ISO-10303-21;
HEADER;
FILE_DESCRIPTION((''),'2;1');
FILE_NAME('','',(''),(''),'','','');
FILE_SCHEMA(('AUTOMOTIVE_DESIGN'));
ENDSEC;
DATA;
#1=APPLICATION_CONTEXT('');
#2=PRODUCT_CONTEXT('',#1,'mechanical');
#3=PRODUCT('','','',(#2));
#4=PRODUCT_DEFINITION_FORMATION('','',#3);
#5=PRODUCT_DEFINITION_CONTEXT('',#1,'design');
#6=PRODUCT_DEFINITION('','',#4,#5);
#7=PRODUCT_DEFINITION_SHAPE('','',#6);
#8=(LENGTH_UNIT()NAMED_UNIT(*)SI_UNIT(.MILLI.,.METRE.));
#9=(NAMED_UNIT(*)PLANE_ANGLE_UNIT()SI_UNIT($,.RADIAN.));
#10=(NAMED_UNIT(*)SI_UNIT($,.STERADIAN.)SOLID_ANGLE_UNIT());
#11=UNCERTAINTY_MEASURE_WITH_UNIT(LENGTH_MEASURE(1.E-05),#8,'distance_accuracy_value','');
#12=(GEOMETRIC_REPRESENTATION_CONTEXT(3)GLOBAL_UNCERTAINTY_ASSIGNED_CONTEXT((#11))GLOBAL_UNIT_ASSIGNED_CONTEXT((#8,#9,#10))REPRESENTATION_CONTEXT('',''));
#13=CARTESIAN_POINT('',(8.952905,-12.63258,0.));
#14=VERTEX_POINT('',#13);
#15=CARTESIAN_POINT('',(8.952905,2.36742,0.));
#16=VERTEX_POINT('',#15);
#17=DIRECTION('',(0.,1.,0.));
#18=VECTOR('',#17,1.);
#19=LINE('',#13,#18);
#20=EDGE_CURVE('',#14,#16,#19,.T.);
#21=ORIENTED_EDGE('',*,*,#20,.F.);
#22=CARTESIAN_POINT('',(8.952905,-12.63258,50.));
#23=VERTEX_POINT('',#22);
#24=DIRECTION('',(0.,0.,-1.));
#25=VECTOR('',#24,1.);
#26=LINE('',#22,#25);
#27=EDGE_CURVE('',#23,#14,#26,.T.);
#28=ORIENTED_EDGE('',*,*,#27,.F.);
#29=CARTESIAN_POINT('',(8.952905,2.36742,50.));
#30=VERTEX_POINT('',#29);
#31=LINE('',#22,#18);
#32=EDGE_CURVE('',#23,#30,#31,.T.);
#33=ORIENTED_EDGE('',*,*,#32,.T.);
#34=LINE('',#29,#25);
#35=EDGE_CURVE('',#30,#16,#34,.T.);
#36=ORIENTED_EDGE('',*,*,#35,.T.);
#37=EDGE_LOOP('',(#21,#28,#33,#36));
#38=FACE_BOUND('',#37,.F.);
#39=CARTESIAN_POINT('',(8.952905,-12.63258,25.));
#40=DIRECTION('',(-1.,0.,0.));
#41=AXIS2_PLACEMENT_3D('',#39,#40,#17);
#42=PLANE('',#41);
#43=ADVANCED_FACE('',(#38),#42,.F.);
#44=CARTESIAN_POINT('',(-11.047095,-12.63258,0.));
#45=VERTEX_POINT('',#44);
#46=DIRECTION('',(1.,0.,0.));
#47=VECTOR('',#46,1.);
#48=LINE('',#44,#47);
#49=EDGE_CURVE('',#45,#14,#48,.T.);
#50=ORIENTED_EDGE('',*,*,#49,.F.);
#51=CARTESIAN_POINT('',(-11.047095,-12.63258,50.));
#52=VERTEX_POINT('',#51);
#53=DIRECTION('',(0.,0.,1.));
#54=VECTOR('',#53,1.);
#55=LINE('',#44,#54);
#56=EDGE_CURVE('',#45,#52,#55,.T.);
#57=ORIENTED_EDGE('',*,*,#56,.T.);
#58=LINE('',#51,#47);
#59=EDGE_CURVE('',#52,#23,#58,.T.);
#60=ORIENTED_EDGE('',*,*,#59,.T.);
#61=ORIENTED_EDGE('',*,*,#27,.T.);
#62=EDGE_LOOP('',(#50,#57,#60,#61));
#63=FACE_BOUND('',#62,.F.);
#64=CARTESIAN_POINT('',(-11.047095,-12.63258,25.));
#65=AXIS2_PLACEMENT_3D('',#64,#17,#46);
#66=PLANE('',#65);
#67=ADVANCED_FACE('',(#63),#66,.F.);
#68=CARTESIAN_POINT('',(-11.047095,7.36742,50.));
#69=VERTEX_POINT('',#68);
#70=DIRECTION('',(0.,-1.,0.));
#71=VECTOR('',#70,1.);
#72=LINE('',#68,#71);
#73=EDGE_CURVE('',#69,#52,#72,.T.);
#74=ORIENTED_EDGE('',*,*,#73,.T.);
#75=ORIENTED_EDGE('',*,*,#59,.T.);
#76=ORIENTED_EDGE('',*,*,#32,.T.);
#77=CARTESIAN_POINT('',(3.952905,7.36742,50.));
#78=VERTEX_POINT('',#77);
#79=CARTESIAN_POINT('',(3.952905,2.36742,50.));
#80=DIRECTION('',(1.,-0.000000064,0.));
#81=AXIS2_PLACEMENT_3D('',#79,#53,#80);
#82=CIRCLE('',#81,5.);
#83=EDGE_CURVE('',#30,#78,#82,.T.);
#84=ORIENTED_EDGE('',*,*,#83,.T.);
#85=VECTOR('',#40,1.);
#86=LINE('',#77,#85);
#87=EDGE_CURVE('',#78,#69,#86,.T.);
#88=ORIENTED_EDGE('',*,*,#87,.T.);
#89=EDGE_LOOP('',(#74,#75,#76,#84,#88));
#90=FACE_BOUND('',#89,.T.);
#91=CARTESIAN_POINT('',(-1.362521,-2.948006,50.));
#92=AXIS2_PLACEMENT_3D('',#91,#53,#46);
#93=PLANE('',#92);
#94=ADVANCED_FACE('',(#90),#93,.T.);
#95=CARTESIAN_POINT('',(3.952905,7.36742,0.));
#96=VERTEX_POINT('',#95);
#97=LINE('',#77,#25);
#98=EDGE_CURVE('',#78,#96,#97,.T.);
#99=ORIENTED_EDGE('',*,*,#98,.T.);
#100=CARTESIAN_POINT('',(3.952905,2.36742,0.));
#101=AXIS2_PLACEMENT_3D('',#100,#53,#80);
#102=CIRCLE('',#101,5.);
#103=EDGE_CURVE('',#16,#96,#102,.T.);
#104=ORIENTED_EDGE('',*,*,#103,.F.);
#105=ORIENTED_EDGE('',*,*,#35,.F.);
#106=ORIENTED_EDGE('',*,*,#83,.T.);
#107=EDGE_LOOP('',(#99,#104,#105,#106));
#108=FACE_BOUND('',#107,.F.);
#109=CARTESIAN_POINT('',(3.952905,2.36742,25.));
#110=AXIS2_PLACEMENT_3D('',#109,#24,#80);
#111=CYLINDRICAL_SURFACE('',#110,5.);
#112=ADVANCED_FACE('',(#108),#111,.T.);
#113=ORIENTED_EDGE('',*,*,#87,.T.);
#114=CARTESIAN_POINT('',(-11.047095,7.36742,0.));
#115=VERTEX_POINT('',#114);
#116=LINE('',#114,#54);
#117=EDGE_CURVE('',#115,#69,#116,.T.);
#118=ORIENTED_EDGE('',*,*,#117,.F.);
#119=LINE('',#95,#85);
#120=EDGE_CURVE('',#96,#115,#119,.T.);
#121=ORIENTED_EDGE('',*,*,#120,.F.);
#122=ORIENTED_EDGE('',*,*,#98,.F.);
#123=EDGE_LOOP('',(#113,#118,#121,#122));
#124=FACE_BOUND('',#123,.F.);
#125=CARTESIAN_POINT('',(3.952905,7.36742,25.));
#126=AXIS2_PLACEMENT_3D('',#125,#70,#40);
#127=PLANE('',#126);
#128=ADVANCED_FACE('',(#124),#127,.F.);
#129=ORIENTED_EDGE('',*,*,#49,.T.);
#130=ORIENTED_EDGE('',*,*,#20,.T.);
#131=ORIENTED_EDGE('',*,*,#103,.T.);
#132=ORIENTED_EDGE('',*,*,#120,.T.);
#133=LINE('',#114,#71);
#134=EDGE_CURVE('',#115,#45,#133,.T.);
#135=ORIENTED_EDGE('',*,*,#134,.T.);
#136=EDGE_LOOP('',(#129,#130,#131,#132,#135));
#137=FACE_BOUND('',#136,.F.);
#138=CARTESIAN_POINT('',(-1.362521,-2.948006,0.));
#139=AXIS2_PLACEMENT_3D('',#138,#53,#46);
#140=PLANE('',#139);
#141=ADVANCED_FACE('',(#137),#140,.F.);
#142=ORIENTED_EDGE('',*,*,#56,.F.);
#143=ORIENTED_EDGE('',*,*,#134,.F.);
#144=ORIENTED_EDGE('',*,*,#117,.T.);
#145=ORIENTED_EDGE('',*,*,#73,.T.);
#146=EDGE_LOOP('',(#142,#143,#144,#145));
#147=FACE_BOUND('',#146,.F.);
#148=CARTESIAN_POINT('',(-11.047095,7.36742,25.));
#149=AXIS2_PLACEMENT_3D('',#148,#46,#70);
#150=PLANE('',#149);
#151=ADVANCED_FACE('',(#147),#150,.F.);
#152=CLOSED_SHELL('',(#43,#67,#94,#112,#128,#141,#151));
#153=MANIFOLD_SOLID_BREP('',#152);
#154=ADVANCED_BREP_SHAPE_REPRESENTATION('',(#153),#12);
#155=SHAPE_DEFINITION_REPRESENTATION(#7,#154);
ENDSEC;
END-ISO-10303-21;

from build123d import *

# Parameters (mm, degrees)
F1_DEPTH = 25
F2_DEPTH = 25


with BuildPart() as f1:
    # F0 (on Top) → F1 (new body)
    with BuildSketch(Plane.XY):
        with BuildLine():
            Line((3.952905, 7.36742), (-11.047095, 7.36742))
            Line((-11.047095, 7.36742), (-11.047095, -12.63258))
            Line((-11.047095, -12.63258), (8.952905, -12.63258))
            Line((8.952905, -12.63258), (8.952905, 2.36742))
            ThreePointArc((8.952905, 2.36742), (7.488439, 5.902954), (3.952905, 7.36742))
        make_face()
    extrude(amount=F1_DEPTH)

    # F1_face (on face) → F2 (join)
    with BuildSketch(Plane(origin=(-1.167861, -2.753346, 25), x_dir=(1, 0, 0), z_dir=(0, 0, 1))):
        with BuildLine():
            Line((5.120766, 10.120766), (-9.879234, 10.120766))
            Line((-9.879234, 10.120766), (-9.879234, -9.879234))
            Line((-9.879234, -9.879234), (10.120766, -9.879234))
            Line((10.120766, -9.879234), (10.120766, 5.120766))
            ThreePointArc((10.120766, 5.120766), (8.6563, 8.6563), (5.120766, 10.120766))
        make_face()
    extrude(amount=F2_DEPTH)


solid = f1.part
